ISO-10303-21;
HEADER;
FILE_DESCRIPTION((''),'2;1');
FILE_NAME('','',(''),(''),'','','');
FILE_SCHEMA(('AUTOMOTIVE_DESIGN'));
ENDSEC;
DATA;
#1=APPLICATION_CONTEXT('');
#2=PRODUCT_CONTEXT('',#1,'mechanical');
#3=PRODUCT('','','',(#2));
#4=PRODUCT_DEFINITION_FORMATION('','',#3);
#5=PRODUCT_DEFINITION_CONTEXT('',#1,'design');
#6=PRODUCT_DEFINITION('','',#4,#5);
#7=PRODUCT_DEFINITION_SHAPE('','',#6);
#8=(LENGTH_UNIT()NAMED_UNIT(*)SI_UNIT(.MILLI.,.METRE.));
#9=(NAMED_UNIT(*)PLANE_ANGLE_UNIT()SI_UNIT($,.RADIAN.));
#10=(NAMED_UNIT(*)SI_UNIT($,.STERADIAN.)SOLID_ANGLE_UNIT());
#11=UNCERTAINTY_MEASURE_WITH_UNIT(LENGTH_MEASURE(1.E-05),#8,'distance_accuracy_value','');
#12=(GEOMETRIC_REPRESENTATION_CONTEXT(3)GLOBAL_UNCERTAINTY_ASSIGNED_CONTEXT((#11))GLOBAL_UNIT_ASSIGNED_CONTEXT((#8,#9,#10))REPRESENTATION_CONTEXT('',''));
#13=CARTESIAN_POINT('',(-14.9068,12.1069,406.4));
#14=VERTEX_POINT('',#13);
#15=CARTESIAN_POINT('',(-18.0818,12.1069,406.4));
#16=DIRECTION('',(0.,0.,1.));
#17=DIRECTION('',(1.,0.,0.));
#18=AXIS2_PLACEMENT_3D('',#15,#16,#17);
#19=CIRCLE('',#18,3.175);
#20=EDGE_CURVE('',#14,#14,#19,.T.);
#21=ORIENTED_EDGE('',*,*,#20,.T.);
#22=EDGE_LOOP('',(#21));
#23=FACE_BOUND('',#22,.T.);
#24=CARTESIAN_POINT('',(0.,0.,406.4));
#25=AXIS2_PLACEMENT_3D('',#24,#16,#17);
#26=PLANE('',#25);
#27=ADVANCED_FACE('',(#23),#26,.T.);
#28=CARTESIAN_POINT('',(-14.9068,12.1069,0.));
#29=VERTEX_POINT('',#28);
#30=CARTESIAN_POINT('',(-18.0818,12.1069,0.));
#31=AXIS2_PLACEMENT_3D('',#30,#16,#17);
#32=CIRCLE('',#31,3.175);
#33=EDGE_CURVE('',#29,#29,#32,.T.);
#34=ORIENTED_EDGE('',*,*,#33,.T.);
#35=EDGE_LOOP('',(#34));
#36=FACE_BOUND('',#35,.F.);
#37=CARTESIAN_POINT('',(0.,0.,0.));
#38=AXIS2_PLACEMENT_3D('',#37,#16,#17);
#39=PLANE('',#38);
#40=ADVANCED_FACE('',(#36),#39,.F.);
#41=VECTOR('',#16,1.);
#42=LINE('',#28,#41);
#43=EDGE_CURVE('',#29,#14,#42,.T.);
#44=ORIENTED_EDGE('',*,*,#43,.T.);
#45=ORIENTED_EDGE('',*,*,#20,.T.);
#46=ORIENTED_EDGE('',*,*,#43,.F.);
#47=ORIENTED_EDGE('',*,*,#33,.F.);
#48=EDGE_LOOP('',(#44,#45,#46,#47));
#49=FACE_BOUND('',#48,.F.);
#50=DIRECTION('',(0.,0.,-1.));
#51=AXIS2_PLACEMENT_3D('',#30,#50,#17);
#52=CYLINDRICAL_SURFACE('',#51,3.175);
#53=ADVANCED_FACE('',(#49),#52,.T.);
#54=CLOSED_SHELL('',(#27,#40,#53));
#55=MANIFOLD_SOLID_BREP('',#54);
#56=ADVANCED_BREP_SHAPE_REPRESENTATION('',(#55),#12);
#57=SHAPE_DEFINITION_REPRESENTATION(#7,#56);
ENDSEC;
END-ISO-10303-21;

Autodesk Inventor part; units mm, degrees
ref_plane "XZ Plane" through (0, 0, 0) normal (0, 1, 0) x (-1, 0, 0)
ref_plane "XY Plane" through (0, 0, 0) normal (0, 0, 1) x (1, 0, 0)
sketch "Sketch1" plane through (0, 0, 0) normal (0, 0, 1) x (1, 0, 0)
  circle A0 centre (-18.0818, 12.1069) radius 3.175
  dimension "d0" = 6.35
extrude "Extrusion1" add sketch "Sketch1" along normal blind 406.4
ref_plane "Work Plane1" through (-18.0818, 12.1069, 0) normal (0, 1, 0) x (0, 0, 1)
properties part number "GE-12028-04C"
